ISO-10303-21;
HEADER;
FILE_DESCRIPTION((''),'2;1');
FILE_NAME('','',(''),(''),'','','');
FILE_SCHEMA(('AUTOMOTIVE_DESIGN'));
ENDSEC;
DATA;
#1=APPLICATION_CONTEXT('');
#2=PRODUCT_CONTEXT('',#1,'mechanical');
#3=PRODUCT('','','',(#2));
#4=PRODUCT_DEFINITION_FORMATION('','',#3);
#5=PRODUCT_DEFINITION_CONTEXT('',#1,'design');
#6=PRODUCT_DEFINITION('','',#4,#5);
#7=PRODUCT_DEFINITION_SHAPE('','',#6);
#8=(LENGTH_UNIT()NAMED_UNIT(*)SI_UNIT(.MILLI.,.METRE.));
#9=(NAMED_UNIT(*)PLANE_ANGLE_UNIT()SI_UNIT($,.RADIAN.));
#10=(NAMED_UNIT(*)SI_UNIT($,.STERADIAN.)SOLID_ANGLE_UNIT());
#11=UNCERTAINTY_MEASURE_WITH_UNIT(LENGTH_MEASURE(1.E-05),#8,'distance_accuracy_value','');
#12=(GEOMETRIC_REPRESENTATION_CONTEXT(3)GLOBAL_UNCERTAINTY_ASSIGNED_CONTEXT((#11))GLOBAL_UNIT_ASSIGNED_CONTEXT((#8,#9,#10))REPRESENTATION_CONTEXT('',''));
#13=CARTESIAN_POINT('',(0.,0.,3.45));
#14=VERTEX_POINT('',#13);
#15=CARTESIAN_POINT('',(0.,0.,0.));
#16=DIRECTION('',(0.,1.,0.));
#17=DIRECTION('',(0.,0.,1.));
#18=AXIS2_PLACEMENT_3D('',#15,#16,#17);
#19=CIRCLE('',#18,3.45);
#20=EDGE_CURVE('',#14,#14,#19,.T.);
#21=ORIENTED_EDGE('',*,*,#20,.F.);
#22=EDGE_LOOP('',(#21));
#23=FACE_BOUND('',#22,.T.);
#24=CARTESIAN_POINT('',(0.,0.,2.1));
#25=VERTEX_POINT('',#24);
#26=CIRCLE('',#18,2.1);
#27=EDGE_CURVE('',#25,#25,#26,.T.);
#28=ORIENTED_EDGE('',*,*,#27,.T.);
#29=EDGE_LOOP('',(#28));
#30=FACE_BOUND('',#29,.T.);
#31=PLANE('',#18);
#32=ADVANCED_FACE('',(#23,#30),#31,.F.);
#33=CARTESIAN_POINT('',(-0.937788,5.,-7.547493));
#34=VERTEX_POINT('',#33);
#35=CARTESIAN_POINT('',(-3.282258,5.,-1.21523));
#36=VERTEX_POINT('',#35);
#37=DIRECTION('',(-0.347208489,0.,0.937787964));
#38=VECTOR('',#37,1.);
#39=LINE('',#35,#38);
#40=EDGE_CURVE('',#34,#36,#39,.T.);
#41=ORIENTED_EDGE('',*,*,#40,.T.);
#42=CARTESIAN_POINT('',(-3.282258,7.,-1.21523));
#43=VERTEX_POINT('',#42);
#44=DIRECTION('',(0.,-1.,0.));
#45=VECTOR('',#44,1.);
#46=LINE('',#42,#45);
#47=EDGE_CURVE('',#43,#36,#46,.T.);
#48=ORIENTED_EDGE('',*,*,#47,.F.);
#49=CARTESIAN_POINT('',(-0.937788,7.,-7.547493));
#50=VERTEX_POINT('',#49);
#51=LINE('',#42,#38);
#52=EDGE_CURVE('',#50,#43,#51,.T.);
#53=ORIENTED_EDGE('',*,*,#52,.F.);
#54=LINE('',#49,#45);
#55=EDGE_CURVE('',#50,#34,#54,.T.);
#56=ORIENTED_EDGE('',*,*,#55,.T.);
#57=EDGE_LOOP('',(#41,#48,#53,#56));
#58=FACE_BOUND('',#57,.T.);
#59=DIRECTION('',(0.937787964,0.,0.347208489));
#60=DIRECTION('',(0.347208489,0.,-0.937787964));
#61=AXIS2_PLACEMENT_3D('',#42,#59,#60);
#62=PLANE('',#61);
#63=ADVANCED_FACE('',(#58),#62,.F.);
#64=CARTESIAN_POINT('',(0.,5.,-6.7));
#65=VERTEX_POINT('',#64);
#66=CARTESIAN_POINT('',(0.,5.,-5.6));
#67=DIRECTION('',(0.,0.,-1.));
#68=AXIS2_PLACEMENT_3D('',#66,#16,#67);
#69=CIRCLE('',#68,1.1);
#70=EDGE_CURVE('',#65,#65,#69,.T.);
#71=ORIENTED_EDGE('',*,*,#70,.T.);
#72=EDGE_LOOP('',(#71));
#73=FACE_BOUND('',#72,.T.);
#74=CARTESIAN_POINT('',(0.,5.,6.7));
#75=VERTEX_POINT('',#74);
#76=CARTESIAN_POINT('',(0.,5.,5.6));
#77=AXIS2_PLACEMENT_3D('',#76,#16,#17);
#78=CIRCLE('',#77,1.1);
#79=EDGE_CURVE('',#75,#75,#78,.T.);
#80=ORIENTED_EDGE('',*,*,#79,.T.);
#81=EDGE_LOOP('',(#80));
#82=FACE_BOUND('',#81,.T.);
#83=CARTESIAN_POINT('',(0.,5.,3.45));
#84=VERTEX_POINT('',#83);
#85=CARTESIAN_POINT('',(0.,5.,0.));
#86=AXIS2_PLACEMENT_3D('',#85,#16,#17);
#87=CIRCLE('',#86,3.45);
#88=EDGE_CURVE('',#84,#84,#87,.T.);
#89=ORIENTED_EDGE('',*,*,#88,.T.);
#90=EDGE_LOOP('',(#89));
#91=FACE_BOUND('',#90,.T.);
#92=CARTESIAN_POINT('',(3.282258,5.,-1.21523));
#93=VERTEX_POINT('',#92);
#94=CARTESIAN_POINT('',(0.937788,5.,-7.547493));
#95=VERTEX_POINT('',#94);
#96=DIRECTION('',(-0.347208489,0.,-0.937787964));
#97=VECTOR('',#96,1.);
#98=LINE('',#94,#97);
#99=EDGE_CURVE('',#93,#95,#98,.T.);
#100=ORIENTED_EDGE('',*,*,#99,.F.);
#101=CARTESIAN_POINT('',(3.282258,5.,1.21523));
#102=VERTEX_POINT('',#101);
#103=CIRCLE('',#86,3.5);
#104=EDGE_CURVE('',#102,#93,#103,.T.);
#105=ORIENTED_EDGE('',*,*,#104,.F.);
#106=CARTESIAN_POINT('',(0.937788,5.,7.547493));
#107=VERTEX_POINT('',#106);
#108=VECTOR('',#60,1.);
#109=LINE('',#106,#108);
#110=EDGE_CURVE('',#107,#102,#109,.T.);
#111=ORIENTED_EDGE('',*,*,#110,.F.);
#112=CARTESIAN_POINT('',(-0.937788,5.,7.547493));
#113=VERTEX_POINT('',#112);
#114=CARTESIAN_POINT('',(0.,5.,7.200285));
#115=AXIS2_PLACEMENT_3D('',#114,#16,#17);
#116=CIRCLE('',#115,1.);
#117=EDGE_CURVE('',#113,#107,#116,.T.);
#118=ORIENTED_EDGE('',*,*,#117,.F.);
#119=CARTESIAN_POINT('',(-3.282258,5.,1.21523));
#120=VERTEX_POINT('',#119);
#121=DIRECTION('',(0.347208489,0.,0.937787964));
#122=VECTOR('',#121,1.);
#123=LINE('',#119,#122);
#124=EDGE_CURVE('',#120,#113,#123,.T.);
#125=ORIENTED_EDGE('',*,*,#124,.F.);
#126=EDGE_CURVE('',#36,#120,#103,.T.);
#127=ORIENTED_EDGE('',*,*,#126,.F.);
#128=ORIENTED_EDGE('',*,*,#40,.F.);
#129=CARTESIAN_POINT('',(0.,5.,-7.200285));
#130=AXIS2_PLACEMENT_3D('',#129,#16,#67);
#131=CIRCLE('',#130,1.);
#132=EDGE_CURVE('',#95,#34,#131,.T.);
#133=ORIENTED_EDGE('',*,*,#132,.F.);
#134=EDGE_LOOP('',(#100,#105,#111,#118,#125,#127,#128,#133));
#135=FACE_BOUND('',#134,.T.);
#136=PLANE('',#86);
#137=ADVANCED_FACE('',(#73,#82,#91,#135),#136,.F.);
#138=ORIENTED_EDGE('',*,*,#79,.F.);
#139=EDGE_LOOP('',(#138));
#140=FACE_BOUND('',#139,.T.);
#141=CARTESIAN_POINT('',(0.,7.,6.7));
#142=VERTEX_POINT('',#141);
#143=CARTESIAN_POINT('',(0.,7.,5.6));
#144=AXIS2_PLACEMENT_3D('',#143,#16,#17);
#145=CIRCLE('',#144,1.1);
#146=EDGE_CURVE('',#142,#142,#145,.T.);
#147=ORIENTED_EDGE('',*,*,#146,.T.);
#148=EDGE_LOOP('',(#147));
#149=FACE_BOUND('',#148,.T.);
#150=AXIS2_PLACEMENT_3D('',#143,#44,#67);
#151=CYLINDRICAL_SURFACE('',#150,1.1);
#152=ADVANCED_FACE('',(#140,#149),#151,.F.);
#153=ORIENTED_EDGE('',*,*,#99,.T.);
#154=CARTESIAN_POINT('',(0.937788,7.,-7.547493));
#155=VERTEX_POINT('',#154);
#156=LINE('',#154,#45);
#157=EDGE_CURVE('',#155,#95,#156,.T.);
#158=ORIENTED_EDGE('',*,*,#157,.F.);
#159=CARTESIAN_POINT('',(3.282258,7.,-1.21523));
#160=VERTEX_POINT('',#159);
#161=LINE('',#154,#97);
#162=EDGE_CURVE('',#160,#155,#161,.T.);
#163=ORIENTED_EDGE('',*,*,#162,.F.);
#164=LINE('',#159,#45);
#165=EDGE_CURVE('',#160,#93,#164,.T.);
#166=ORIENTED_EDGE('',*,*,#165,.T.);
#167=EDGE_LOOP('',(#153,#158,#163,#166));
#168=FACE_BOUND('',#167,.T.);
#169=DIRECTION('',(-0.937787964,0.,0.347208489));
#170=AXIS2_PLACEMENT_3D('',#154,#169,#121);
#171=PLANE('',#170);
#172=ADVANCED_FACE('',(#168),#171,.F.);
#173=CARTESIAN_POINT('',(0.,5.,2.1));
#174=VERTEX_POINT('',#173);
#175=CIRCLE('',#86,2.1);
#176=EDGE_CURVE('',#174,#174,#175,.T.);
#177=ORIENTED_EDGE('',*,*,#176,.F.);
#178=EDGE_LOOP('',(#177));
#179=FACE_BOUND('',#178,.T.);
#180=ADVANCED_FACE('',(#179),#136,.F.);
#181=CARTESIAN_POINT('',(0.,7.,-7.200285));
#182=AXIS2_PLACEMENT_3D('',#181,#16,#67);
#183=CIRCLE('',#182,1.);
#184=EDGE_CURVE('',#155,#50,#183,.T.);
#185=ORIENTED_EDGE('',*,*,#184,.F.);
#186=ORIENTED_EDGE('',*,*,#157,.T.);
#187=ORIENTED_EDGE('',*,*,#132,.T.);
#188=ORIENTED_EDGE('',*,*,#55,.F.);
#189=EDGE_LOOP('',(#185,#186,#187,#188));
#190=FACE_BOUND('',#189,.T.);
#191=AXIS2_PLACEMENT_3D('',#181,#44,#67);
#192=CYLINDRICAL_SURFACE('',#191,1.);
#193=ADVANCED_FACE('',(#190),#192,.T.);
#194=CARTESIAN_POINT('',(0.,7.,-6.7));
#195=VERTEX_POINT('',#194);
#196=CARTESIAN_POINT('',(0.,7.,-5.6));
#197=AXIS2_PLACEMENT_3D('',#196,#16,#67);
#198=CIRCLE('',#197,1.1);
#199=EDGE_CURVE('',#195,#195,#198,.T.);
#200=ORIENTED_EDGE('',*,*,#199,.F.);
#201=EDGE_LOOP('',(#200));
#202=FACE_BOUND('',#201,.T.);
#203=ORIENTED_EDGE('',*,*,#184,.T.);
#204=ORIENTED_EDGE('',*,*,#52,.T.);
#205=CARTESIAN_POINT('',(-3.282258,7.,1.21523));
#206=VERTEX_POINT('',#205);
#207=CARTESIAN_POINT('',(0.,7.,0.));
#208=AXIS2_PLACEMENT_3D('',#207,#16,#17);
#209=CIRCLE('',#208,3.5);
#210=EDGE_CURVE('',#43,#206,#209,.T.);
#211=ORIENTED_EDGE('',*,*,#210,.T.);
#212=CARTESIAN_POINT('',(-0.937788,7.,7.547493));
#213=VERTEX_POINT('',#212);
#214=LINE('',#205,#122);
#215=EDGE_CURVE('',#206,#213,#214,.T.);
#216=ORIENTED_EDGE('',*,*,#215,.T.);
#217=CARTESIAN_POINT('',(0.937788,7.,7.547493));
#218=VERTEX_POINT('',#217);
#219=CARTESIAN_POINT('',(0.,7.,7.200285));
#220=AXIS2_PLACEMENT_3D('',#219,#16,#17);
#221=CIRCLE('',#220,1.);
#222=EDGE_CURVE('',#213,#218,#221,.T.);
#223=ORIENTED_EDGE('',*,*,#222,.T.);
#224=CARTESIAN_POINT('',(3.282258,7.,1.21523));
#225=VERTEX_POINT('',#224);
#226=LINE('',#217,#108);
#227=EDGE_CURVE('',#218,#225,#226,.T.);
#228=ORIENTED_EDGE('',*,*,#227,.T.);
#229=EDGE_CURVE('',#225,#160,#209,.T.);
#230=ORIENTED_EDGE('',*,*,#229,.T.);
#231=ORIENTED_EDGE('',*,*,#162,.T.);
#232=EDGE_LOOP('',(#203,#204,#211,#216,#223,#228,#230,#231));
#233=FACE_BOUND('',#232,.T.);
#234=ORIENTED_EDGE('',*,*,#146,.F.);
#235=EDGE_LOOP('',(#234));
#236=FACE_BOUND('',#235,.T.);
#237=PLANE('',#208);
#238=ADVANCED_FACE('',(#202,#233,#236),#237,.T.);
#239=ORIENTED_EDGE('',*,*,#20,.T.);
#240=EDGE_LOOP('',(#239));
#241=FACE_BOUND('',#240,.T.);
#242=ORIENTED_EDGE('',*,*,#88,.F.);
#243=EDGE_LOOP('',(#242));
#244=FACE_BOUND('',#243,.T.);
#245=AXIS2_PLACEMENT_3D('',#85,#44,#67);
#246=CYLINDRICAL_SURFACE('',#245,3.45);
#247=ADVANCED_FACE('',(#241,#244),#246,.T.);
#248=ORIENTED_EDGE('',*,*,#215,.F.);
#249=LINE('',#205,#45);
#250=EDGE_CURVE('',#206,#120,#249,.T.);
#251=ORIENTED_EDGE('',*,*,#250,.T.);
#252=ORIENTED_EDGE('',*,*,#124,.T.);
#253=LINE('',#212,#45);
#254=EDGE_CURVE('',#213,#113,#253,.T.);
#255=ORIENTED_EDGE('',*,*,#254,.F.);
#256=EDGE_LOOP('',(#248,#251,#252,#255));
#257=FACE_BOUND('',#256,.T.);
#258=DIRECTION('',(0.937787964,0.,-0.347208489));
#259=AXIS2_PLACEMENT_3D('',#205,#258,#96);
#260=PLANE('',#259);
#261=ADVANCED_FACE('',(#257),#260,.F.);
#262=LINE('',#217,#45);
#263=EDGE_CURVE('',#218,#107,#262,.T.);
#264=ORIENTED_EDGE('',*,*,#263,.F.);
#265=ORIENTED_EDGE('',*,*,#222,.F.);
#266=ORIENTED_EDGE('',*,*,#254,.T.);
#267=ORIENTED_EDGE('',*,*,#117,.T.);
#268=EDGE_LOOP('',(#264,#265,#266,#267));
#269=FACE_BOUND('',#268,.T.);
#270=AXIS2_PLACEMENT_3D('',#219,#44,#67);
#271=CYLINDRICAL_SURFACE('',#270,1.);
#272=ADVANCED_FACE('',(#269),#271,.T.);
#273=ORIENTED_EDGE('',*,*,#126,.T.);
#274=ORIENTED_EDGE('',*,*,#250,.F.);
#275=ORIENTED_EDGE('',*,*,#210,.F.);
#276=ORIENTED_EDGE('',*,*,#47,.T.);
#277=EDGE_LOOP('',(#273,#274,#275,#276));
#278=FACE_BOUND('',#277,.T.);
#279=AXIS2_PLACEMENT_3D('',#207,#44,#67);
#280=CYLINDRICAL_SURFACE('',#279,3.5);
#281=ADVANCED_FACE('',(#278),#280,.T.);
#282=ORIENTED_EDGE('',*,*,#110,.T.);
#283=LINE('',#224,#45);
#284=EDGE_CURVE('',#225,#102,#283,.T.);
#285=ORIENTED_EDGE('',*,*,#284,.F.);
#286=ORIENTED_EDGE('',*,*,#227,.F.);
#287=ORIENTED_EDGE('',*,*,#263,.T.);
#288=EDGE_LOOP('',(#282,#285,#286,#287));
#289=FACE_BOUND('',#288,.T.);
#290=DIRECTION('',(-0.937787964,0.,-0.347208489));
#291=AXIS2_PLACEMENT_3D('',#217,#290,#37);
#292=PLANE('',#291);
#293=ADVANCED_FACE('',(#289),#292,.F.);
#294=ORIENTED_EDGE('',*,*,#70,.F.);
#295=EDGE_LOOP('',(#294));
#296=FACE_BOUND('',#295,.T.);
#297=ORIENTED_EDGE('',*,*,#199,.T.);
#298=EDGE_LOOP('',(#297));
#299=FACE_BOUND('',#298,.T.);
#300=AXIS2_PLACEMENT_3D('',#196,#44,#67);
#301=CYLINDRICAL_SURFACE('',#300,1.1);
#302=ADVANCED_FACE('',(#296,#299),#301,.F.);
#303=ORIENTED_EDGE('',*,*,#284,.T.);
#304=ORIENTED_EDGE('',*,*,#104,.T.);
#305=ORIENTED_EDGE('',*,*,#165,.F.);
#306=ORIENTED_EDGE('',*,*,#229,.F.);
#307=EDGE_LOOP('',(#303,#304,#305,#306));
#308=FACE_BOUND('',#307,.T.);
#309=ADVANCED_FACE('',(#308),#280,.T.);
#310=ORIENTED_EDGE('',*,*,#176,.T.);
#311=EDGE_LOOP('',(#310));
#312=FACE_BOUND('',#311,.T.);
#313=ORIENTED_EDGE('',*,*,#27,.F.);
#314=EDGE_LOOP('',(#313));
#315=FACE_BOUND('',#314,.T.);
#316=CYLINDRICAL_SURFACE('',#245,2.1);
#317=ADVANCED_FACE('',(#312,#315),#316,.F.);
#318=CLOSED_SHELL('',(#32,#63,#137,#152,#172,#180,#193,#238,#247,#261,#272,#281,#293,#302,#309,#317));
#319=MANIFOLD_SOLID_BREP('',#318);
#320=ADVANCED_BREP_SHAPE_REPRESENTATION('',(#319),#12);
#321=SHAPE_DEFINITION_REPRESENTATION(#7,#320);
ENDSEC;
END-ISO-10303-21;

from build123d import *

# Parameters (mm, degrees)
SKETCH1_R           = 3.45
SKETCH1_R_2         = 2.1
BOSS_EXTRUDE1_DEPTH = 5
SKETCH2_R           = 1.1
BOSS_EXTRUDE2_DEPTH = 2


with BuildPart() as part:
    # Sketch1 → Boss-Extrude1 (new body)
    with BuildSketch(Plane(origin=(0, 0, 0), x_dir=(1, 0, 0), z_dir=(0, 1, 0))):
        Circle(SKETCH1_R)
        Circle(SKETCH1_R_2, mode=Mode.SUBTRACT)
    extrude(amount=BOSS_EXTRUDE1_DEPTH)

    # Sketch2 → Boss-Extrude2 (add)
    with BuildSketch(Plane(origin=(0, 5, 0), x_dir=(1, 0, 0), z_dir=(0, 1, 0))):
        with BuildLine():
            Line((-3.282257873, 1.215229712), (-0.937787964, 7.547493269))
            ThreePointArc((-0.937787964, 7.547493269), (0, 8.200284779), (0.937787964, 7.547493269))
            Line((0.937787964, 7.547493269), (3.282257873, 1.215229712))
            ThreePointArc((3.282257873, 1.215229712), (3.5, 0), (3.282257873, -1.215229712))
            Line((3.282257873, -1.215229712), (0.937787964, -7.547493269))
            ThreePointArc((0.937787964, -7.547493269), (0, -8.200284779), (-0.937787964, -7.547493269))
            Line((-0.937787964, -7.547493269), (-3.282257873, -1.215229712))
            ThreePointArc((-3.282257873, -1.215229712), (-3.5, 0), (-3.282257873, 1.215229712))
        make_face()
        with Locations((0, -5.6)):
            Circle(SKETCH2_R, mode=Mode.SUBTRACT)
        with Locations((0, 5.6)):
            Circle(SKETCH2_R, mode=Mode.SUBTRACT)
    extrude(amount=BOSS_EXTRUDE2_DEPTH)


solid = part.part
